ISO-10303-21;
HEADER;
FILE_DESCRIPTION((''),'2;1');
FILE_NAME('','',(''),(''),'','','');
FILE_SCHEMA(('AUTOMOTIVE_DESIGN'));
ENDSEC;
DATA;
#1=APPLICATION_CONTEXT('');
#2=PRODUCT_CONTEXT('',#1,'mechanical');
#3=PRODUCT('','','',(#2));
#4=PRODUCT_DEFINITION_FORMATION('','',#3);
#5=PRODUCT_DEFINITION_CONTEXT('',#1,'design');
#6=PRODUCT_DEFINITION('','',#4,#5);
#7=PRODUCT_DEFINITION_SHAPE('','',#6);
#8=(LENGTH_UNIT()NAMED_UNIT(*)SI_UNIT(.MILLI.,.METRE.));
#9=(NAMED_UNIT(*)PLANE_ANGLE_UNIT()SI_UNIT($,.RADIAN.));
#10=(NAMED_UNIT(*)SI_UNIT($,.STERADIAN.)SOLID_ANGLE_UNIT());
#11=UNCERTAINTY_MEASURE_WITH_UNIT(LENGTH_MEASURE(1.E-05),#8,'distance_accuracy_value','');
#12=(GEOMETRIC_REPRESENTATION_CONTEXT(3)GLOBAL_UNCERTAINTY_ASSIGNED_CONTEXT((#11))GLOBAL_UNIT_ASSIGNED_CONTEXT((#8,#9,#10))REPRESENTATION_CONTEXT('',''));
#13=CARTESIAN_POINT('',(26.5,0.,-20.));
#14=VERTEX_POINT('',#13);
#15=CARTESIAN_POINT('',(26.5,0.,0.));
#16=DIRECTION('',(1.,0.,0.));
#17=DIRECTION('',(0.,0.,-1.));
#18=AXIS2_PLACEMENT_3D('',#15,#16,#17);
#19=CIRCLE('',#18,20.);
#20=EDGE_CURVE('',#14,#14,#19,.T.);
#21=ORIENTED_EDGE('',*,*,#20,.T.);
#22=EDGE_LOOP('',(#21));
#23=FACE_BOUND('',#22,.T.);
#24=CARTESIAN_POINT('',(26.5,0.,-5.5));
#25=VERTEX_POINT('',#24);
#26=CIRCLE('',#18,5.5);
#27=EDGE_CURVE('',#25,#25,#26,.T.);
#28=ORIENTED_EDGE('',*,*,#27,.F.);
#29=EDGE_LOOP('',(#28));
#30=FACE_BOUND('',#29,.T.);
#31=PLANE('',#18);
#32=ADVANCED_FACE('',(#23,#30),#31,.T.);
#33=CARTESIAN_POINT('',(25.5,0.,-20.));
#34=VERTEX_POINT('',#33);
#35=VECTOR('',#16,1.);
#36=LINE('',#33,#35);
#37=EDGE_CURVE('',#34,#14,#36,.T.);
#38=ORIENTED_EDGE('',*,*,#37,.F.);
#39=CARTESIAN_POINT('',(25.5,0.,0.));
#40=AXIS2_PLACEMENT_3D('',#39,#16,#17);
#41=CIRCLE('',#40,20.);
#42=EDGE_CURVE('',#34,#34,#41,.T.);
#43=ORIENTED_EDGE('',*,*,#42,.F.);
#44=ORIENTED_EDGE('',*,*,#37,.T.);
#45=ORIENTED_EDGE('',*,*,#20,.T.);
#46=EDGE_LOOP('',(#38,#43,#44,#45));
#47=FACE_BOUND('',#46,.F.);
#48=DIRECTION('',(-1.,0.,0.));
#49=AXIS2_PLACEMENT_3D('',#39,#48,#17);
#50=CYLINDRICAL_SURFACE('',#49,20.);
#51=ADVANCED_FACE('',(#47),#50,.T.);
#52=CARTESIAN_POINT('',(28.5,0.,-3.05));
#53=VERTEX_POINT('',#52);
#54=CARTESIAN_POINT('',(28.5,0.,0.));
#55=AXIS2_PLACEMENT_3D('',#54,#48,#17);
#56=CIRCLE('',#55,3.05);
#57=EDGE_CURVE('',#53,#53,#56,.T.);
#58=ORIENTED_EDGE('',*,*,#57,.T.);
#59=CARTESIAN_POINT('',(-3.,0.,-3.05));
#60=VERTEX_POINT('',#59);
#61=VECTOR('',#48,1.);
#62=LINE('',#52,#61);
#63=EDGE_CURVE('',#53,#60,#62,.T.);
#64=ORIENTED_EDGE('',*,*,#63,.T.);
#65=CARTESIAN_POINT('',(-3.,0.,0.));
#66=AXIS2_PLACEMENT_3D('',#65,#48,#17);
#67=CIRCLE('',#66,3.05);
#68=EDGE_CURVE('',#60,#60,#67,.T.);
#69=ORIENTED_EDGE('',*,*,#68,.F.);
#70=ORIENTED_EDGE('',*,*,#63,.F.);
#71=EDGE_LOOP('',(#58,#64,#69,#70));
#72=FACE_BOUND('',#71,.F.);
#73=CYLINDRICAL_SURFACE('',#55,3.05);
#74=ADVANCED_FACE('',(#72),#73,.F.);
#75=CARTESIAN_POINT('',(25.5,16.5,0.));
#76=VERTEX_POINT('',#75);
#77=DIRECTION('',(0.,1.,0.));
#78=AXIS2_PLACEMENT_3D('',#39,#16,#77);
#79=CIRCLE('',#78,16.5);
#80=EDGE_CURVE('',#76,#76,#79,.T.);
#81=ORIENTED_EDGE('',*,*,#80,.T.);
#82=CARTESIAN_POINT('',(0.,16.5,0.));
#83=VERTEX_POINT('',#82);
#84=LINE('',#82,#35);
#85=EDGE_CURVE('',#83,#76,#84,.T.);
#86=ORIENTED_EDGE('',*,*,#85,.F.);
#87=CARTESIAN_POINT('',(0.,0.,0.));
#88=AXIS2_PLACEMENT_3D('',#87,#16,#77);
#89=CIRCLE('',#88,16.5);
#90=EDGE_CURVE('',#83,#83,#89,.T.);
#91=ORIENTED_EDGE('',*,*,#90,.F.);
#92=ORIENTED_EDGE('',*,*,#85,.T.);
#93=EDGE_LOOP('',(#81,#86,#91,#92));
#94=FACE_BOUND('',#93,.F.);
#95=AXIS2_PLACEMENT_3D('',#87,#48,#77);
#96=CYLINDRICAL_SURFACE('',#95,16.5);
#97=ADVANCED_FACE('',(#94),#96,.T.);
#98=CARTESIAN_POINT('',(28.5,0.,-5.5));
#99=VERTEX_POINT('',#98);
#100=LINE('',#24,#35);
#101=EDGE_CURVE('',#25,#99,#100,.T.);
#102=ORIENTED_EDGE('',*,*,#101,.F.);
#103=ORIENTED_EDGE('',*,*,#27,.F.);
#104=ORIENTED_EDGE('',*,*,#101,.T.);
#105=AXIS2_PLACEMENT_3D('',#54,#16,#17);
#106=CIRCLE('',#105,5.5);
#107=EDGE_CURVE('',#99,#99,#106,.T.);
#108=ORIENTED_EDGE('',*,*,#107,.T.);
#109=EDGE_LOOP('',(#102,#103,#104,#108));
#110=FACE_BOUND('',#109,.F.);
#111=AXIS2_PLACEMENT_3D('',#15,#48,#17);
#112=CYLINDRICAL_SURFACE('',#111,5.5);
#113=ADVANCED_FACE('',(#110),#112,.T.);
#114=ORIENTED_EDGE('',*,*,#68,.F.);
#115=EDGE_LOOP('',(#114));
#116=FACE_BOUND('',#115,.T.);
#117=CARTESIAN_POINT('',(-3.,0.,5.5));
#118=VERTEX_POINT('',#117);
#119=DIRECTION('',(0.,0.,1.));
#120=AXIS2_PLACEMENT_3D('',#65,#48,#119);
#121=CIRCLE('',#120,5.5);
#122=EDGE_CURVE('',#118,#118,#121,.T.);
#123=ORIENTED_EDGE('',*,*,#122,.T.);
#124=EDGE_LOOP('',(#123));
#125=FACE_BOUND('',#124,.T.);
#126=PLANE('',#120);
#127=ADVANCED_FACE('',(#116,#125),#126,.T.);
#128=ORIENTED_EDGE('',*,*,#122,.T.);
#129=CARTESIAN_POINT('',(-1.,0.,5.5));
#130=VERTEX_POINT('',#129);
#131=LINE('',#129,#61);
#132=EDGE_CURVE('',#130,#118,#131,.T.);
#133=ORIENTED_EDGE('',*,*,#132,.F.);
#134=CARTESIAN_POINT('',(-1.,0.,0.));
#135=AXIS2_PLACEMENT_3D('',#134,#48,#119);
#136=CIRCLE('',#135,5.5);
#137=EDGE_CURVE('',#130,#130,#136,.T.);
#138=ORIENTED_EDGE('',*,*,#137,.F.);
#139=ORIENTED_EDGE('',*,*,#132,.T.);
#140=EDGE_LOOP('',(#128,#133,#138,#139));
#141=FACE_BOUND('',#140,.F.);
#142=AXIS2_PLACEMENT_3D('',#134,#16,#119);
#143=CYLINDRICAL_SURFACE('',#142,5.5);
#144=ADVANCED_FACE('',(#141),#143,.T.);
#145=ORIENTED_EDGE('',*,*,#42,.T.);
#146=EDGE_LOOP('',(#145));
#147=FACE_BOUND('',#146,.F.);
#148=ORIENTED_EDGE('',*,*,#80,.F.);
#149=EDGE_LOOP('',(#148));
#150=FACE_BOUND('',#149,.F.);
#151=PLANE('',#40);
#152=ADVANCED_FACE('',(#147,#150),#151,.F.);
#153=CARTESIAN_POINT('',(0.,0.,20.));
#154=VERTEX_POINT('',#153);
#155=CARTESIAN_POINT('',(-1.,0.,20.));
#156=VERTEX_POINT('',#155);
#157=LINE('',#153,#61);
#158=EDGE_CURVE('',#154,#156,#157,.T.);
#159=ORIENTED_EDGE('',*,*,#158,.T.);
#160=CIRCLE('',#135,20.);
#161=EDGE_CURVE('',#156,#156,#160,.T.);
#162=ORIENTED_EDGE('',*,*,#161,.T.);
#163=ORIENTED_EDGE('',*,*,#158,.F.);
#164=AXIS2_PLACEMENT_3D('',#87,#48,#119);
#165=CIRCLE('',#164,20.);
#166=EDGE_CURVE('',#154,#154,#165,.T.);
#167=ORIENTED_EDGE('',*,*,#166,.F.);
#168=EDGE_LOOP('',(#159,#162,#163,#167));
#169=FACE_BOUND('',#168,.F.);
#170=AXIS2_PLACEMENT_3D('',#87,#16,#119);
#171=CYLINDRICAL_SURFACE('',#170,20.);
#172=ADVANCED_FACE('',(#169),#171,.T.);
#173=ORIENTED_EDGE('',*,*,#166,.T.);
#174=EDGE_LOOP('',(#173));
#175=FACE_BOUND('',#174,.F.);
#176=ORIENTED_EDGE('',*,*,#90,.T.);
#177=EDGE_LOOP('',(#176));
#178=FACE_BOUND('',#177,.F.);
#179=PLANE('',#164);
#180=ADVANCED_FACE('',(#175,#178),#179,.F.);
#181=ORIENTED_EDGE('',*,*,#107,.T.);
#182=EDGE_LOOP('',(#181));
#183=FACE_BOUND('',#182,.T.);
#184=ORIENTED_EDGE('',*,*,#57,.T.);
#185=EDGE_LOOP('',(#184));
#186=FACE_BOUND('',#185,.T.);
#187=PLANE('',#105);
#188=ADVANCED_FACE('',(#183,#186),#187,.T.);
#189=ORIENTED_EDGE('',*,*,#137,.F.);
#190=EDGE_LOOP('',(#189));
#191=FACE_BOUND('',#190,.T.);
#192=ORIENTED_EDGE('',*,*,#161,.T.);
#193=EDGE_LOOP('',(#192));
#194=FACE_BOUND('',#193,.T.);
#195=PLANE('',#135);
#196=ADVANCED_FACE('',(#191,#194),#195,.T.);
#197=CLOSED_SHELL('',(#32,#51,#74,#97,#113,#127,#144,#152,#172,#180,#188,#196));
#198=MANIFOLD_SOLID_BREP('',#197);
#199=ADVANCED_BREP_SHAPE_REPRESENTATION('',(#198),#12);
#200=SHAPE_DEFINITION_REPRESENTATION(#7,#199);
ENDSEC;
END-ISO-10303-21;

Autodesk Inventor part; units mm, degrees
ref_plane "YZ Plane" through (0, 0, 0) normal (1, 0, 0) x (0, 1, 0)
ref_plane "XZ Plane" through (0, 0, 0) normal (0, 1, 0) x (-1, 0, 0)
ref_plane "XY Plane" through (0, 0, 0) normal (0, 0, 1) x (1, 0, 0)
sketch "スケッチ1" plane through (0, 0, 0) normal (1, 0, 0) x (0, 1, 0)
  circle A0 centre (0, 0) radius 16.5
  dimension "d0" = 33
extrude "押し出し1" add sketch "スケッチ1" along normal blind 25.5
sketch "スケッチ2" plane through (25.5, 0, 0) normal (1, 0, 0) x (0, 0, -1)
  circle A0 centre (0, 0) radius 20
  dimension "d3" = 40
extrude "押し出し2" add sketch "スケッチ2" along normal blind 1
sketch "スケッチ3" plane through (0, 0, 0) normal (-1, 0, 0) x (0, 0, 1)
  circle A0 centre (0, 0) radius 20
  dimension "d6" = 40
extrude "押し出し3" add sketch "スケッチ3" along normal blind 1
sketch "スケッチ4" plane through (26.5, 0, 0) normal (1, 0, 0) x (0, 0, -1)
  circle A0 centre (0, 0) radius 5.5
  dimension "d9" = 11
extrude "押し出し4" add sketch "スケッチ4" along normal blind 2
sketch "スケッチ5" plane through (-1, 0, 0) normal (-1, 0, 0) x (0, 0, 1)
  circle A0 centre (0, 0) radius 5.5
  dimension "d12" = 11
extrude "押し出し5" add sketch "スケッチ5" along normal blind 2
sketch "スケッチ6" plane through (28.5, 0, 0) normal (1, 0, 0) x (0, 0, -1)
  circle A0 centre (0, 0) radius 5.5 projected
hole "穴1" at (28.5, 0, 0) direction (-1, 0, 0) diameter 6.1 end through all
properties part number "CLS_24.5N" material "ポリプロピレン"
